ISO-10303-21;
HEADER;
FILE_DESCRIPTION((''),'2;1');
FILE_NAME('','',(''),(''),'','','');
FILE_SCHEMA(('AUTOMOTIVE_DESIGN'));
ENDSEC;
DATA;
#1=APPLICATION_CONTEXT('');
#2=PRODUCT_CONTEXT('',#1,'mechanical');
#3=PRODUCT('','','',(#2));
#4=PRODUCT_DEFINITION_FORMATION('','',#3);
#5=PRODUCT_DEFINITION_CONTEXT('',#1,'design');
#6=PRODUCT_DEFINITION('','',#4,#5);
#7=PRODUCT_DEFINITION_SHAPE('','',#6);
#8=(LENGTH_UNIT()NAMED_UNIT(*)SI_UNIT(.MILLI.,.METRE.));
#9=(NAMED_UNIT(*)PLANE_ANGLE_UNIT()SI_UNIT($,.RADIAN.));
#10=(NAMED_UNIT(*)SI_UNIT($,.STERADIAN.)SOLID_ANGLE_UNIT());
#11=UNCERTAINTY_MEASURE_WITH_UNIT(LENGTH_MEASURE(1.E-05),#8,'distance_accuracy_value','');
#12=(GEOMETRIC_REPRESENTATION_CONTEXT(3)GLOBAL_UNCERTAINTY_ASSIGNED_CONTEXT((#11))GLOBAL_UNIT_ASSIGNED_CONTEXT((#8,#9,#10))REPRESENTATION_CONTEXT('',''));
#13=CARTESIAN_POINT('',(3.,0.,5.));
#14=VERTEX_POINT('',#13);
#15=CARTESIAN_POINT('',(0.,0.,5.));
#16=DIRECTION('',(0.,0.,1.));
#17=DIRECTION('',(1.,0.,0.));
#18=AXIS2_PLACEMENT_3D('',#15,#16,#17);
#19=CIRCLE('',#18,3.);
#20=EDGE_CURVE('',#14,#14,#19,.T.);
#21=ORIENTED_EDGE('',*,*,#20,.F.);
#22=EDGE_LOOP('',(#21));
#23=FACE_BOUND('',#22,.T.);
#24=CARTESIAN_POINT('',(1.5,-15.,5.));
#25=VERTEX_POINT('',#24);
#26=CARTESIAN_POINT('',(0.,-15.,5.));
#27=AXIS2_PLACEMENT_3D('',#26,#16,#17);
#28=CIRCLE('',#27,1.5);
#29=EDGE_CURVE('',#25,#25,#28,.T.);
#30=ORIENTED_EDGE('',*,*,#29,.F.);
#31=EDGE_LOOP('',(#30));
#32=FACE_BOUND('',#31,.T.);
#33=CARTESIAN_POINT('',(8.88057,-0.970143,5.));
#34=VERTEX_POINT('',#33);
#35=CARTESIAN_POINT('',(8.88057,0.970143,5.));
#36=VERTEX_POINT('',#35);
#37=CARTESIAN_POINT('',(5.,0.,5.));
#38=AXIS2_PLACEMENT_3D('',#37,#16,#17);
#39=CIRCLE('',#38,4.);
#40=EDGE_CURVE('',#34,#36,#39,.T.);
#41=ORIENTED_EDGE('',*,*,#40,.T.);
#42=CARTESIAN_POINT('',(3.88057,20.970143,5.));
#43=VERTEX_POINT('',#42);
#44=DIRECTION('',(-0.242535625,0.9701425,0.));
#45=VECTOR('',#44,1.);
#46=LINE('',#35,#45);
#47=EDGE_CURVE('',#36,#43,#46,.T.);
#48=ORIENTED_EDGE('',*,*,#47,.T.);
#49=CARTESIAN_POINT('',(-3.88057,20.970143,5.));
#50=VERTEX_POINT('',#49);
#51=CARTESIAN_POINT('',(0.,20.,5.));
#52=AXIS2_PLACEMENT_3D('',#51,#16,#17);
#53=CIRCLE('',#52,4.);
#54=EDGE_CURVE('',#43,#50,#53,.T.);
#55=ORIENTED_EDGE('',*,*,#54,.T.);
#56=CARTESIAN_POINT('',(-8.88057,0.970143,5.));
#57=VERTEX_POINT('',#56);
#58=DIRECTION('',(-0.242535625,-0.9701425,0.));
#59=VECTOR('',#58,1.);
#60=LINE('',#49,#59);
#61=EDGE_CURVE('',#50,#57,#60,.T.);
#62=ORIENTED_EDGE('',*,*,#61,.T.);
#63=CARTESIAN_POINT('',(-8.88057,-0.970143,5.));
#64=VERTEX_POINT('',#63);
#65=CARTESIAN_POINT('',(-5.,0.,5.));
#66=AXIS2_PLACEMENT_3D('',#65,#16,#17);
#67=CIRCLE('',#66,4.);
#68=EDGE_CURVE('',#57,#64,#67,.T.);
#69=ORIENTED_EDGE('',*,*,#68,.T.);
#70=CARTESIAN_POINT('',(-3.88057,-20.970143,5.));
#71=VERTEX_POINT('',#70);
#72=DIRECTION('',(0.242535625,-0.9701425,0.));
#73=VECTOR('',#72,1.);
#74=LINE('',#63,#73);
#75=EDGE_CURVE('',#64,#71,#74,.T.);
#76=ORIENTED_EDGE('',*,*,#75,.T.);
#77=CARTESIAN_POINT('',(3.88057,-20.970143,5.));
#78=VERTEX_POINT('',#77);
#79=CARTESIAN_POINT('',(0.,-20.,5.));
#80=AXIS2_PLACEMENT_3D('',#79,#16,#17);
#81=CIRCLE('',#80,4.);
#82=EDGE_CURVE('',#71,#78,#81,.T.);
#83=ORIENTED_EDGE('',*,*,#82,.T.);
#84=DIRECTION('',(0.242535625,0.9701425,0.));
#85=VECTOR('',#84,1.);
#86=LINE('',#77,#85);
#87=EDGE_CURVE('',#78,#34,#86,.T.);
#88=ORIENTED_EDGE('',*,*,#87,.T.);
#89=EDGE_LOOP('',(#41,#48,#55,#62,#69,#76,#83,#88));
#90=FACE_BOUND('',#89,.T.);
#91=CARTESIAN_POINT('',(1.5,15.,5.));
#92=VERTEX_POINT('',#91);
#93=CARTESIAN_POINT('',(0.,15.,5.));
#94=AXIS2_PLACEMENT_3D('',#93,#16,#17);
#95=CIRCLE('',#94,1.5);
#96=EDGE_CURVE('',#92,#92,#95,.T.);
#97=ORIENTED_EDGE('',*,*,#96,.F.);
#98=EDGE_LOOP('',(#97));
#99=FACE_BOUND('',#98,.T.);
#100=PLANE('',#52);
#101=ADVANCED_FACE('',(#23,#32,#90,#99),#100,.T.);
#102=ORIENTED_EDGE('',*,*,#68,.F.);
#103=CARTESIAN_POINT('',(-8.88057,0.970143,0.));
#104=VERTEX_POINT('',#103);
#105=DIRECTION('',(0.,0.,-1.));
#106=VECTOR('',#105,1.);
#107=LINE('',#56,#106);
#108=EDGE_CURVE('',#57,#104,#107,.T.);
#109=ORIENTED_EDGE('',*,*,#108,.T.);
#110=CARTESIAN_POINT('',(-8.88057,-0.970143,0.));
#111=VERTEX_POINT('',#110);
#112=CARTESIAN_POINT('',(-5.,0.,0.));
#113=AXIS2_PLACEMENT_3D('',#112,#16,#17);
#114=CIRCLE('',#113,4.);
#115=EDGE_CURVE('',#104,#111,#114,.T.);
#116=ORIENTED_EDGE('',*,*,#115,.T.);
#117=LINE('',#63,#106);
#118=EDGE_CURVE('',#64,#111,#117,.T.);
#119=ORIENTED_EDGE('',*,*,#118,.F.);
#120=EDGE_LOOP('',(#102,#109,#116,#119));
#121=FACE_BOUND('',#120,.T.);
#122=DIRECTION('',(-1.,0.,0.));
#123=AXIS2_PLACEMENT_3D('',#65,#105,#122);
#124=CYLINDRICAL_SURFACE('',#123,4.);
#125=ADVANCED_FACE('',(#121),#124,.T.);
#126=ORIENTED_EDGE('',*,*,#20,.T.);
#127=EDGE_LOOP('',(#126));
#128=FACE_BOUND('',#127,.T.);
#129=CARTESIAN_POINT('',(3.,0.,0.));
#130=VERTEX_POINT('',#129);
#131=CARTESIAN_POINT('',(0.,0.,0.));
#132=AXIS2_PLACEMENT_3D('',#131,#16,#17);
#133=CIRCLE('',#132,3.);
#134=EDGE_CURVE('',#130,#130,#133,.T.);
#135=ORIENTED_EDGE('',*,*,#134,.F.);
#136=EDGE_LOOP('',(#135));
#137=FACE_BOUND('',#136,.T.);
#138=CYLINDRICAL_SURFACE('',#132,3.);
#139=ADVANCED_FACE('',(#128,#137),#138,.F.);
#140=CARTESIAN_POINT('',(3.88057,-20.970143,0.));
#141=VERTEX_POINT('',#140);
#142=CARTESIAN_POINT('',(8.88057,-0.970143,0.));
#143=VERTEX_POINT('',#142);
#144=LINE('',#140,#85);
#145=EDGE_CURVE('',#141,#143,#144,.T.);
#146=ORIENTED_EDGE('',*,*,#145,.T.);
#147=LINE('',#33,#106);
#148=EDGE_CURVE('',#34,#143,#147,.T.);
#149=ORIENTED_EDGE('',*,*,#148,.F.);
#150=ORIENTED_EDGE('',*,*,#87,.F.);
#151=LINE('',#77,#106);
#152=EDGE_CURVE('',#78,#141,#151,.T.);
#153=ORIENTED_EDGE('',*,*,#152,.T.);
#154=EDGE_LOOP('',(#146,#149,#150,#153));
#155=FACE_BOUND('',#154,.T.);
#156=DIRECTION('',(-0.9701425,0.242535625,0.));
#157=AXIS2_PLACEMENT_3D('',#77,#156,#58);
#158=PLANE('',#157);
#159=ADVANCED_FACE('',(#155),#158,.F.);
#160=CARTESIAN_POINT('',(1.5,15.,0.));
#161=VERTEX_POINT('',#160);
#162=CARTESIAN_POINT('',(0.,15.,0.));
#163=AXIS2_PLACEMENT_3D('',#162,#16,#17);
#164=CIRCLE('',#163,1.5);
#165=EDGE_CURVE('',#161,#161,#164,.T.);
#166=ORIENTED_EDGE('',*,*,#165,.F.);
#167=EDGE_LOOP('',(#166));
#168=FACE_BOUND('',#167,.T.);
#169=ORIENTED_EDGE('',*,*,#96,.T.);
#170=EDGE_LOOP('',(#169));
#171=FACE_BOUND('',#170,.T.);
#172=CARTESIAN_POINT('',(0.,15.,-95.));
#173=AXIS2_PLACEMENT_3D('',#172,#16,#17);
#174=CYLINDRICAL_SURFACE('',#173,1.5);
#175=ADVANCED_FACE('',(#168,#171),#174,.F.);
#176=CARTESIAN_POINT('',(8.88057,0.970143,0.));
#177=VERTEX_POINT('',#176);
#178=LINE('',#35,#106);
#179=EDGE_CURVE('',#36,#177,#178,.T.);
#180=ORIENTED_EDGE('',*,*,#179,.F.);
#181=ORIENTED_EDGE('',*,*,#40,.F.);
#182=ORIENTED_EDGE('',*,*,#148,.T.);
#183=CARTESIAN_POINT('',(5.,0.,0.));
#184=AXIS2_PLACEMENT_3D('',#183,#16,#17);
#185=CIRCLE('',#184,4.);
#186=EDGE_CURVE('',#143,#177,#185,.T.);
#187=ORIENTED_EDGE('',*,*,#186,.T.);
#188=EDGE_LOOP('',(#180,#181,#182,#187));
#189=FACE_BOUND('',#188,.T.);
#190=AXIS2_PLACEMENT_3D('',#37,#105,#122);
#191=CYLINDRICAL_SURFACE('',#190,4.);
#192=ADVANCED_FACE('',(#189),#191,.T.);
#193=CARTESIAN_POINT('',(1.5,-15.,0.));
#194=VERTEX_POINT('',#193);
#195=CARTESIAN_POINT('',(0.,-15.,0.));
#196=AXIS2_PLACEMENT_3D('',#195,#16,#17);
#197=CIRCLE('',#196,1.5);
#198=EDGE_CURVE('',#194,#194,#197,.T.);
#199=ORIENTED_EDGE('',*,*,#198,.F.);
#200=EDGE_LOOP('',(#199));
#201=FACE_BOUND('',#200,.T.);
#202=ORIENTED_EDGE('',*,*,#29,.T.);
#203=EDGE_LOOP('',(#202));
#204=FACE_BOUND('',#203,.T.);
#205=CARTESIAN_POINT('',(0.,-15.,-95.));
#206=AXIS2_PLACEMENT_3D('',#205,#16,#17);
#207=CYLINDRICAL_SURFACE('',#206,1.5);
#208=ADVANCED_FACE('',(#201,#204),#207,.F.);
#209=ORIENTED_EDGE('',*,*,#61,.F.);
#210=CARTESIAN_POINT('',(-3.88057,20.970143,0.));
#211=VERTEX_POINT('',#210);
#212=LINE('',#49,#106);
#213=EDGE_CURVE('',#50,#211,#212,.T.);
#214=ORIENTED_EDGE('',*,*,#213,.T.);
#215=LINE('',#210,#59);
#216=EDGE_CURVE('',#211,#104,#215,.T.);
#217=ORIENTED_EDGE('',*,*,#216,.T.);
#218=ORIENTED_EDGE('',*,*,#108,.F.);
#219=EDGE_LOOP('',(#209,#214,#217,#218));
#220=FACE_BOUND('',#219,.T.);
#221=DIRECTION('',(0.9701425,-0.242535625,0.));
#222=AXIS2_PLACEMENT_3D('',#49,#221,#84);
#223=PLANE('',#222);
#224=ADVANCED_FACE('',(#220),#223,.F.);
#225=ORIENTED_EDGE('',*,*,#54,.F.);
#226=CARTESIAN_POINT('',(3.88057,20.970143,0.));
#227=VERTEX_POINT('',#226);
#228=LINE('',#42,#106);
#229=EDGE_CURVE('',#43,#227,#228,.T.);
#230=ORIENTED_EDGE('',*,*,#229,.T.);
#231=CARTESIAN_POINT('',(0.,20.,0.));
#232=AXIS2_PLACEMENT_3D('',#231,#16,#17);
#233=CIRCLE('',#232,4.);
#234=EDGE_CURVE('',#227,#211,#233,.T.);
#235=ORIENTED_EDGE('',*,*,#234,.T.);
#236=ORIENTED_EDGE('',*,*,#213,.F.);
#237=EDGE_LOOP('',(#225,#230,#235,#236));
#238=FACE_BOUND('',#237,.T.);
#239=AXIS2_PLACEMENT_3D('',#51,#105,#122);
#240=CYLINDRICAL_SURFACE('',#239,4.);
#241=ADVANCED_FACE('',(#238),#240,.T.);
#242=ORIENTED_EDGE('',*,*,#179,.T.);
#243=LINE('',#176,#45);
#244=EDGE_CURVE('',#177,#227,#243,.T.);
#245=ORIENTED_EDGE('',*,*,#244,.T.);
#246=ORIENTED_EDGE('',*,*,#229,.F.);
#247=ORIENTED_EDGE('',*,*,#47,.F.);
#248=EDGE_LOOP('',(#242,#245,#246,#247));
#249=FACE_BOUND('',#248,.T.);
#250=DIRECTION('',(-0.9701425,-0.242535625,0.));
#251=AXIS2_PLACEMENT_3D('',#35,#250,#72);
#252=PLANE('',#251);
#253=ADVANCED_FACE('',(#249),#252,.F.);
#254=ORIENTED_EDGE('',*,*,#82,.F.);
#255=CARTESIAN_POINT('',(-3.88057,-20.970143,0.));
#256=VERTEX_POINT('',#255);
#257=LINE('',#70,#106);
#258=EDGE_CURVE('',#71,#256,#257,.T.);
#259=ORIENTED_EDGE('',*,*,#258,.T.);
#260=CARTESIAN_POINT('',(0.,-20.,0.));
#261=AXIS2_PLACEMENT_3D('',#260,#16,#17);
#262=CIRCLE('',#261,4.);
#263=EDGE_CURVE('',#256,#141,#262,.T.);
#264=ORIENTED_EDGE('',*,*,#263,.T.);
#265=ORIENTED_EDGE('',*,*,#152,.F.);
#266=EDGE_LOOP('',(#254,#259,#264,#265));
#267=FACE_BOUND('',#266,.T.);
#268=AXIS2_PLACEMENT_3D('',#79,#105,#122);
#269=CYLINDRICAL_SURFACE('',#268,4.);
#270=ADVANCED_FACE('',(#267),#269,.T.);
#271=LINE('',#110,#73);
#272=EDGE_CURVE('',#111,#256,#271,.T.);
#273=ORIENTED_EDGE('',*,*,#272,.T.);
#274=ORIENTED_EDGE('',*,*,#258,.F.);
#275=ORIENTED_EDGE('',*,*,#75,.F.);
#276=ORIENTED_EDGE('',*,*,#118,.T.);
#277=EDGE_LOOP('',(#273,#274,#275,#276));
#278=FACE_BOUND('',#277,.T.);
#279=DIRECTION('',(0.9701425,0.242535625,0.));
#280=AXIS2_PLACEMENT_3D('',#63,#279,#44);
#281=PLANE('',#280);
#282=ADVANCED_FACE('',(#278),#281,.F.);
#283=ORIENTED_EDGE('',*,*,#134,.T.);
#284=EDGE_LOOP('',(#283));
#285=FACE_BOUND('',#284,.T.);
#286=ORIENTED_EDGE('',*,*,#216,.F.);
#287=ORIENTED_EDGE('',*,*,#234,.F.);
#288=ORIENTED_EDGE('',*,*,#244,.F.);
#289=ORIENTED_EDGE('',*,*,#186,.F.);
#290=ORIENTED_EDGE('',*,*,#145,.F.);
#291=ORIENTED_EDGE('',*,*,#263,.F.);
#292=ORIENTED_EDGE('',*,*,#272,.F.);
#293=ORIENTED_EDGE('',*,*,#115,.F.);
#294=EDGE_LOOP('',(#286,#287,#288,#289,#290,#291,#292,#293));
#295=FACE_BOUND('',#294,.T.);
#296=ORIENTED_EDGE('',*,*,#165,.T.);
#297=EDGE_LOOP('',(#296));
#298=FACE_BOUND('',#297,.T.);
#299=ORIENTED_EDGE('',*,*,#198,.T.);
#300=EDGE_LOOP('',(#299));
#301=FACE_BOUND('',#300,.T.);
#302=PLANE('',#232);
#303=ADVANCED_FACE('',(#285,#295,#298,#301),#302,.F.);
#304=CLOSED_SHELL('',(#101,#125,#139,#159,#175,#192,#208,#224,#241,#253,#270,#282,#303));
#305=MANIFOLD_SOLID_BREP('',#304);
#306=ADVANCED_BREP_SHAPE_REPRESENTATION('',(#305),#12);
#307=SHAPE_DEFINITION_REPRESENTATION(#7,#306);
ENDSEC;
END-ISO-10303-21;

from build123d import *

# Parameters (mm, degrees)
EXTRUDE_1_DEPTH     = 5
SKETCH_2_R          = 3
CUT_EXTRUDE_2_DEPTH = 27.115129714
SKETCH_3_R          = 1.5
CUT_EXTRUDE_3_DEPTH = 100


with BuildPart() as part:
    # 草圖1 → 伸長1 (new body)
    with BuildSketch(Plane.XY):
        with BuildLine():
            Line((-3.880570001, 20.9701425), (-8.880570001, 0.9701425))
            ThreePointArc((-8.880570001, 0.9701425), (-9, 0), (-8.880570001, -0.9701425))
            Line((-8.880570001, -0.9701425), (-3.880570001, -20.9701425))
            ThreePointArc((-3.880570001, -20.9701425), (0, -24), (3.880570001, -20.9701425))
            Line((3.880570001, -20.9701425), (8.880570001, -0.9701425))
            ThreePointArc((8.880570001, -0.9701425), (9, 0), (8.880570001, 0.9701425))
            Line((8.880570001, 0.9701425), (3.880570001, 20.9701425))
            ThreePointArc((3.880570001, 20.9701425), (0, 24), (-3.880570001, 20.9701425))
        make_face()
    extrude(amount=EXTRUDE_1_DEPTH)

    # 草圖2 → 伸長2 (cut, through all)
    with BuildSketch(Plane.XY.offset(5)):
        Circle(SKETCH_2_R)
    extrude(amount=-CUT_EXTRUDE_2_DEPTH, mode=Mode.SUBTRACT)

    # 草圖3 → 伸長3 (cut)
    with BuildSketch(Plane.XY.offset(5)):
        with Locations((0, 15)):
            Circle(SKETCH_3_R)
        with Locations((0, -15)):
            Circle(SKETCH_3_R)
    extrude(amount=-CUT_EXTRUDE_3_DEPTH, mode=Mode.SUBTRACT)


solid = part.part
